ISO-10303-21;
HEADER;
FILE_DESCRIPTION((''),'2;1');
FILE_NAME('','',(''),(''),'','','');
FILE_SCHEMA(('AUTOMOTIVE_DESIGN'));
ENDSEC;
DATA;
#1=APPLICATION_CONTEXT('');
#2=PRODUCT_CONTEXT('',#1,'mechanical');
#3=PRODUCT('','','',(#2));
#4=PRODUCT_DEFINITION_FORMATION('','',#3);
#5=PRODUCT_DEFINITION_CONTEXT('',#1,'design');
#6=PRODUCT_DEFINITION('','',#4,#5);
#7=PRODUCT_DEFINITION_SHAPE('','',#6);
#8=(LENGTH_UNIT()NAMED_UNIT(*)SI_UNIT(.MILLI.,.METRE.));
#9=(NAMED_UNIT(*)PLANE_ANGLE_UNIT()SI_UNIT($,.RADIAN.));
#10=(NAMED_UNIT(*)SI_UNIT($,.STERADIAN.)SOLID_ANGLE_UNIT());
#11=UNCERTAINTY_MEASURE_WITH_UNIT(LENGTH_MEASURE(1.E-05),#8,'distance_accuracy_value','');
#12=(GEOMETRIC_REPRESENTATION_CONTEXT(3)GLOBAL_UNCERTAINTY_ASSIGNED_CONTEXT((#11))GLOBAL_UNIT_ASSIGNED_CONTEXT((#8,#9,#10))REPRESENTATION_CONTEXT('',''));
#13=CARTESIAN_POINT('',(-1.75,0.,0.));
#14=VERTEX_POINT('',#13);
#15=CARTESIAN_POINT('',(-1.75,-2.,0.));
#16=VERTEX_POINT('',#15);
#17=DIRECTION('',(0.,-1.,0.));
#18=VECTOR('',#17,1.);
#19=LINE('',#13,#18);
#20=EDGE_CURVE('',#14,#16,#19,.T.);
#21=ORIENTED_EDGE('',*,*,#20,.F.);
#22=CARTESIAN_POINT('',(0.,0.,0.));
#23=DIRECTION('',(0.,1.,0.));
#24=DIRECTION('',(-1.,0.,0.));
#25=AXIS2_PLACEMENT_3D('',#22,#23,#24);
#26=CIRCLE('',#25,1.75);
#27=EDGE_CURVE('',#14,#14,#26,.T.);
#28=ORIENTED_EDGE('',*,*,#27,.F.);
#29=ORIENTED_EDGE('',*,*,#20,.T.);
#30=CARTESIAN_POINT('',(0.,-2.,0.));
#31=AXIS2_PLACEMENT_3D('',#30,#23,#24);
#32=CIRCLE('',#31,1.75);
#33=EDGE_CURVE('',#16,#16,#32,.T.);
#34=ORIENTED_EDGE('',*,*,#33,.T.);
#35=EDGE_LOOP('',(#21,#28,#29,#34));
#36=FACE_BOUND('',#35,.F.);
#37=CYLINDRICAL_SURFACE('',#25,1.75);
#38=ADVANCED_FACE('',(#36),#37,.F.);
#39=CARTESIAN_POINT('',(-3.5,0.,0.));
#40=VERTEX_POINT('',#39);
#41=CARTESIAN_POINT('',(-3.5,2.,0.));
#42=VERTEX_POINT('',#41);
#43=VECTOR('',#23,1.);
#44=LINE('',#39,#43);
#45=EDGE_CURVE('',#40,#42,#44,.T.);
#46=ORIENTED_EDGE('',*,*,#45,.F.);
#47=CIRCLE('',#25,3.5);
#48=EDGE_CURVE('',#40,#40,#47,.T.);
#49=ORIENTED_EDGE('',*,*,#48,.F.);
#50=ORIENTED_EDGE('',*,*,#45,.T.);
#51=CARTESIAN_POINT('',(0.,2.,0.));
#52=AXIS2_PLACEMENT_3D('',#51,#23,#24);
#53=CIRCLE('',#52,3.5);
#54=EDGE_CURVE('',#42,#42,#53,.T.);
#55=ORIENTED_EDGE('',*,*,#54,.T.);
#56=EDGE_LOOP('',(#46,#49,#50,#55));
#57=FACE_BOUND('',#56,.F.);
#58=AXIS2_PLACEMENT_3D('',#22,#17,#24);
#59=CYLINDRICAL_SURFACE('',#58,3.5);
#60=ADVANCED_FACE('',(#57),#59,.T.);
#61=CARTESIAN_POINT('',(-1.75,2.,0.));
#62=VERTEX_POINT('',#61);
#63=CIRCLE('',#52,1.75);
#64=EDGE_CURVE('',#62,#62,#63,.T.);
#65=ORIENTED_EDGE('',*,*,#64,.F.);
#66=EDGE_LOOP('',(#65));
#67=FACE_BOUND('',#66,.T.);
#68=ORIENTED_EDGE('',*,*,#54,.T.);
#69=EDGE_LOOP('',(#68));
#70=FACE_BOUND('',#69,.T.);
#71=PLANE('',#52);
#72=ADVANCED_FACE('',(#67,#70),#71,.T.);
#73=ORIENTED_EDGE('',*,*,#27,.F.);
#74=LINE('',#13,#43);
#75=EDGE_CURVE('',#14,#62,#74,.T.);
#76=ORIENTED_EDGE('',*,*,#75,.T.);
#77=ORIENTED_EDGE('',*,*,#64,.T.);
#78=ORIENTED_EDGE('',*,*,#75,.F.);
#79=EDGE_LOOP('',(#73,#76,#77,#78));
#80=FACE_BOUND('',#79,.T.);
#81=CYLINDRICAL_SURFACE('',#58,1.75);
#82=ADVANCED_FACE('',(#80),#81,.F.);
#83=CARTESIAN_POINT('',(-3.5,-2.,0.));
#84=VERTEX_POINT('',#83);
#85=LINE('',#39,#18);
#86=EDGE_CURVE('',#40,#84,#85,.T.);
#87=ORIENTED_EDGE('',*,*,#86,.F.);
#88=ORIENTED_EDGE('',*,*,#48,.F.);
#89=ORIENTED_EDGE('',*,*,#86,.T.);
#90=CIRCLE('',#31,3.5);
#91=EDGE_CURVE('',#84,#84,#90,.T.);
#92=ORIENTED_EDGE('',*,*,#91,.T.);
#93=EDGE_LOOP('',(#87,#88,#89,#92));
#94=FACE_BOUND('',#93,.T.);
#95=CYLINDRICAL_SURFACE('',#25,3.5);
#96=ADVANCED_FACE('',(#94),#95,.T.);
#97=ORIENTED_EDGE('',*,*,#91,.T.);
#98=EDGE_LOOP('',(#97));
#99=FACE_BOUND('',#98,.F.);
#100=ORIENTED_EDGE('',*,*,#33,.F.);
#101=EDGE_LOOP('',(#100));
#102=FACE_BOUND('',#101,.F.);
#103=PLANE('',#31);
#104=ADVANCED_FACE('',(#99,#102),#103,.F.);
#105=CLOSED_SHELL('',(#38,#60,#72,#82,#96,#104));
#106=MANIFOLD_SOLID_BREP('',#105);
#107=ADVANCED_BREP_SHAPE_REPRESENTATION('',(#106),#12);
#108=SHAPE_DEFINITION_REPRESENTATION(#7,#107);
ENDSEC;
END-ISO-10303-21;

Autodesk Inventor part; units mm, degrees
ref_plane "YZ Plane" through (0, 0, 0) normal (1, 0, 0) x (0, 1, 0)
ref_plane "XZ Plane" through (0, 0, 0) normal (0, 1, 0) x (-1, 0, 0)
ref_plane "XY Plane" through (0, 0, 0) normal (0, 0, 1) x (1, 0, 0)
sketch "Sketch1" plane through (0, 0, 0) normal (0, 1, 0) x (-1, 0, 0)
  circle A0 centre (0, 0) radius 3.5
  circle A1 centre (0, 0) radius 1.75
  dimension "d0" = 7
  dimension "d1" = 3.5
extrude "Extrusion1" add sketch "Sketch1" along normal mid plane 4
properties part number "Solenoid Spacer"
